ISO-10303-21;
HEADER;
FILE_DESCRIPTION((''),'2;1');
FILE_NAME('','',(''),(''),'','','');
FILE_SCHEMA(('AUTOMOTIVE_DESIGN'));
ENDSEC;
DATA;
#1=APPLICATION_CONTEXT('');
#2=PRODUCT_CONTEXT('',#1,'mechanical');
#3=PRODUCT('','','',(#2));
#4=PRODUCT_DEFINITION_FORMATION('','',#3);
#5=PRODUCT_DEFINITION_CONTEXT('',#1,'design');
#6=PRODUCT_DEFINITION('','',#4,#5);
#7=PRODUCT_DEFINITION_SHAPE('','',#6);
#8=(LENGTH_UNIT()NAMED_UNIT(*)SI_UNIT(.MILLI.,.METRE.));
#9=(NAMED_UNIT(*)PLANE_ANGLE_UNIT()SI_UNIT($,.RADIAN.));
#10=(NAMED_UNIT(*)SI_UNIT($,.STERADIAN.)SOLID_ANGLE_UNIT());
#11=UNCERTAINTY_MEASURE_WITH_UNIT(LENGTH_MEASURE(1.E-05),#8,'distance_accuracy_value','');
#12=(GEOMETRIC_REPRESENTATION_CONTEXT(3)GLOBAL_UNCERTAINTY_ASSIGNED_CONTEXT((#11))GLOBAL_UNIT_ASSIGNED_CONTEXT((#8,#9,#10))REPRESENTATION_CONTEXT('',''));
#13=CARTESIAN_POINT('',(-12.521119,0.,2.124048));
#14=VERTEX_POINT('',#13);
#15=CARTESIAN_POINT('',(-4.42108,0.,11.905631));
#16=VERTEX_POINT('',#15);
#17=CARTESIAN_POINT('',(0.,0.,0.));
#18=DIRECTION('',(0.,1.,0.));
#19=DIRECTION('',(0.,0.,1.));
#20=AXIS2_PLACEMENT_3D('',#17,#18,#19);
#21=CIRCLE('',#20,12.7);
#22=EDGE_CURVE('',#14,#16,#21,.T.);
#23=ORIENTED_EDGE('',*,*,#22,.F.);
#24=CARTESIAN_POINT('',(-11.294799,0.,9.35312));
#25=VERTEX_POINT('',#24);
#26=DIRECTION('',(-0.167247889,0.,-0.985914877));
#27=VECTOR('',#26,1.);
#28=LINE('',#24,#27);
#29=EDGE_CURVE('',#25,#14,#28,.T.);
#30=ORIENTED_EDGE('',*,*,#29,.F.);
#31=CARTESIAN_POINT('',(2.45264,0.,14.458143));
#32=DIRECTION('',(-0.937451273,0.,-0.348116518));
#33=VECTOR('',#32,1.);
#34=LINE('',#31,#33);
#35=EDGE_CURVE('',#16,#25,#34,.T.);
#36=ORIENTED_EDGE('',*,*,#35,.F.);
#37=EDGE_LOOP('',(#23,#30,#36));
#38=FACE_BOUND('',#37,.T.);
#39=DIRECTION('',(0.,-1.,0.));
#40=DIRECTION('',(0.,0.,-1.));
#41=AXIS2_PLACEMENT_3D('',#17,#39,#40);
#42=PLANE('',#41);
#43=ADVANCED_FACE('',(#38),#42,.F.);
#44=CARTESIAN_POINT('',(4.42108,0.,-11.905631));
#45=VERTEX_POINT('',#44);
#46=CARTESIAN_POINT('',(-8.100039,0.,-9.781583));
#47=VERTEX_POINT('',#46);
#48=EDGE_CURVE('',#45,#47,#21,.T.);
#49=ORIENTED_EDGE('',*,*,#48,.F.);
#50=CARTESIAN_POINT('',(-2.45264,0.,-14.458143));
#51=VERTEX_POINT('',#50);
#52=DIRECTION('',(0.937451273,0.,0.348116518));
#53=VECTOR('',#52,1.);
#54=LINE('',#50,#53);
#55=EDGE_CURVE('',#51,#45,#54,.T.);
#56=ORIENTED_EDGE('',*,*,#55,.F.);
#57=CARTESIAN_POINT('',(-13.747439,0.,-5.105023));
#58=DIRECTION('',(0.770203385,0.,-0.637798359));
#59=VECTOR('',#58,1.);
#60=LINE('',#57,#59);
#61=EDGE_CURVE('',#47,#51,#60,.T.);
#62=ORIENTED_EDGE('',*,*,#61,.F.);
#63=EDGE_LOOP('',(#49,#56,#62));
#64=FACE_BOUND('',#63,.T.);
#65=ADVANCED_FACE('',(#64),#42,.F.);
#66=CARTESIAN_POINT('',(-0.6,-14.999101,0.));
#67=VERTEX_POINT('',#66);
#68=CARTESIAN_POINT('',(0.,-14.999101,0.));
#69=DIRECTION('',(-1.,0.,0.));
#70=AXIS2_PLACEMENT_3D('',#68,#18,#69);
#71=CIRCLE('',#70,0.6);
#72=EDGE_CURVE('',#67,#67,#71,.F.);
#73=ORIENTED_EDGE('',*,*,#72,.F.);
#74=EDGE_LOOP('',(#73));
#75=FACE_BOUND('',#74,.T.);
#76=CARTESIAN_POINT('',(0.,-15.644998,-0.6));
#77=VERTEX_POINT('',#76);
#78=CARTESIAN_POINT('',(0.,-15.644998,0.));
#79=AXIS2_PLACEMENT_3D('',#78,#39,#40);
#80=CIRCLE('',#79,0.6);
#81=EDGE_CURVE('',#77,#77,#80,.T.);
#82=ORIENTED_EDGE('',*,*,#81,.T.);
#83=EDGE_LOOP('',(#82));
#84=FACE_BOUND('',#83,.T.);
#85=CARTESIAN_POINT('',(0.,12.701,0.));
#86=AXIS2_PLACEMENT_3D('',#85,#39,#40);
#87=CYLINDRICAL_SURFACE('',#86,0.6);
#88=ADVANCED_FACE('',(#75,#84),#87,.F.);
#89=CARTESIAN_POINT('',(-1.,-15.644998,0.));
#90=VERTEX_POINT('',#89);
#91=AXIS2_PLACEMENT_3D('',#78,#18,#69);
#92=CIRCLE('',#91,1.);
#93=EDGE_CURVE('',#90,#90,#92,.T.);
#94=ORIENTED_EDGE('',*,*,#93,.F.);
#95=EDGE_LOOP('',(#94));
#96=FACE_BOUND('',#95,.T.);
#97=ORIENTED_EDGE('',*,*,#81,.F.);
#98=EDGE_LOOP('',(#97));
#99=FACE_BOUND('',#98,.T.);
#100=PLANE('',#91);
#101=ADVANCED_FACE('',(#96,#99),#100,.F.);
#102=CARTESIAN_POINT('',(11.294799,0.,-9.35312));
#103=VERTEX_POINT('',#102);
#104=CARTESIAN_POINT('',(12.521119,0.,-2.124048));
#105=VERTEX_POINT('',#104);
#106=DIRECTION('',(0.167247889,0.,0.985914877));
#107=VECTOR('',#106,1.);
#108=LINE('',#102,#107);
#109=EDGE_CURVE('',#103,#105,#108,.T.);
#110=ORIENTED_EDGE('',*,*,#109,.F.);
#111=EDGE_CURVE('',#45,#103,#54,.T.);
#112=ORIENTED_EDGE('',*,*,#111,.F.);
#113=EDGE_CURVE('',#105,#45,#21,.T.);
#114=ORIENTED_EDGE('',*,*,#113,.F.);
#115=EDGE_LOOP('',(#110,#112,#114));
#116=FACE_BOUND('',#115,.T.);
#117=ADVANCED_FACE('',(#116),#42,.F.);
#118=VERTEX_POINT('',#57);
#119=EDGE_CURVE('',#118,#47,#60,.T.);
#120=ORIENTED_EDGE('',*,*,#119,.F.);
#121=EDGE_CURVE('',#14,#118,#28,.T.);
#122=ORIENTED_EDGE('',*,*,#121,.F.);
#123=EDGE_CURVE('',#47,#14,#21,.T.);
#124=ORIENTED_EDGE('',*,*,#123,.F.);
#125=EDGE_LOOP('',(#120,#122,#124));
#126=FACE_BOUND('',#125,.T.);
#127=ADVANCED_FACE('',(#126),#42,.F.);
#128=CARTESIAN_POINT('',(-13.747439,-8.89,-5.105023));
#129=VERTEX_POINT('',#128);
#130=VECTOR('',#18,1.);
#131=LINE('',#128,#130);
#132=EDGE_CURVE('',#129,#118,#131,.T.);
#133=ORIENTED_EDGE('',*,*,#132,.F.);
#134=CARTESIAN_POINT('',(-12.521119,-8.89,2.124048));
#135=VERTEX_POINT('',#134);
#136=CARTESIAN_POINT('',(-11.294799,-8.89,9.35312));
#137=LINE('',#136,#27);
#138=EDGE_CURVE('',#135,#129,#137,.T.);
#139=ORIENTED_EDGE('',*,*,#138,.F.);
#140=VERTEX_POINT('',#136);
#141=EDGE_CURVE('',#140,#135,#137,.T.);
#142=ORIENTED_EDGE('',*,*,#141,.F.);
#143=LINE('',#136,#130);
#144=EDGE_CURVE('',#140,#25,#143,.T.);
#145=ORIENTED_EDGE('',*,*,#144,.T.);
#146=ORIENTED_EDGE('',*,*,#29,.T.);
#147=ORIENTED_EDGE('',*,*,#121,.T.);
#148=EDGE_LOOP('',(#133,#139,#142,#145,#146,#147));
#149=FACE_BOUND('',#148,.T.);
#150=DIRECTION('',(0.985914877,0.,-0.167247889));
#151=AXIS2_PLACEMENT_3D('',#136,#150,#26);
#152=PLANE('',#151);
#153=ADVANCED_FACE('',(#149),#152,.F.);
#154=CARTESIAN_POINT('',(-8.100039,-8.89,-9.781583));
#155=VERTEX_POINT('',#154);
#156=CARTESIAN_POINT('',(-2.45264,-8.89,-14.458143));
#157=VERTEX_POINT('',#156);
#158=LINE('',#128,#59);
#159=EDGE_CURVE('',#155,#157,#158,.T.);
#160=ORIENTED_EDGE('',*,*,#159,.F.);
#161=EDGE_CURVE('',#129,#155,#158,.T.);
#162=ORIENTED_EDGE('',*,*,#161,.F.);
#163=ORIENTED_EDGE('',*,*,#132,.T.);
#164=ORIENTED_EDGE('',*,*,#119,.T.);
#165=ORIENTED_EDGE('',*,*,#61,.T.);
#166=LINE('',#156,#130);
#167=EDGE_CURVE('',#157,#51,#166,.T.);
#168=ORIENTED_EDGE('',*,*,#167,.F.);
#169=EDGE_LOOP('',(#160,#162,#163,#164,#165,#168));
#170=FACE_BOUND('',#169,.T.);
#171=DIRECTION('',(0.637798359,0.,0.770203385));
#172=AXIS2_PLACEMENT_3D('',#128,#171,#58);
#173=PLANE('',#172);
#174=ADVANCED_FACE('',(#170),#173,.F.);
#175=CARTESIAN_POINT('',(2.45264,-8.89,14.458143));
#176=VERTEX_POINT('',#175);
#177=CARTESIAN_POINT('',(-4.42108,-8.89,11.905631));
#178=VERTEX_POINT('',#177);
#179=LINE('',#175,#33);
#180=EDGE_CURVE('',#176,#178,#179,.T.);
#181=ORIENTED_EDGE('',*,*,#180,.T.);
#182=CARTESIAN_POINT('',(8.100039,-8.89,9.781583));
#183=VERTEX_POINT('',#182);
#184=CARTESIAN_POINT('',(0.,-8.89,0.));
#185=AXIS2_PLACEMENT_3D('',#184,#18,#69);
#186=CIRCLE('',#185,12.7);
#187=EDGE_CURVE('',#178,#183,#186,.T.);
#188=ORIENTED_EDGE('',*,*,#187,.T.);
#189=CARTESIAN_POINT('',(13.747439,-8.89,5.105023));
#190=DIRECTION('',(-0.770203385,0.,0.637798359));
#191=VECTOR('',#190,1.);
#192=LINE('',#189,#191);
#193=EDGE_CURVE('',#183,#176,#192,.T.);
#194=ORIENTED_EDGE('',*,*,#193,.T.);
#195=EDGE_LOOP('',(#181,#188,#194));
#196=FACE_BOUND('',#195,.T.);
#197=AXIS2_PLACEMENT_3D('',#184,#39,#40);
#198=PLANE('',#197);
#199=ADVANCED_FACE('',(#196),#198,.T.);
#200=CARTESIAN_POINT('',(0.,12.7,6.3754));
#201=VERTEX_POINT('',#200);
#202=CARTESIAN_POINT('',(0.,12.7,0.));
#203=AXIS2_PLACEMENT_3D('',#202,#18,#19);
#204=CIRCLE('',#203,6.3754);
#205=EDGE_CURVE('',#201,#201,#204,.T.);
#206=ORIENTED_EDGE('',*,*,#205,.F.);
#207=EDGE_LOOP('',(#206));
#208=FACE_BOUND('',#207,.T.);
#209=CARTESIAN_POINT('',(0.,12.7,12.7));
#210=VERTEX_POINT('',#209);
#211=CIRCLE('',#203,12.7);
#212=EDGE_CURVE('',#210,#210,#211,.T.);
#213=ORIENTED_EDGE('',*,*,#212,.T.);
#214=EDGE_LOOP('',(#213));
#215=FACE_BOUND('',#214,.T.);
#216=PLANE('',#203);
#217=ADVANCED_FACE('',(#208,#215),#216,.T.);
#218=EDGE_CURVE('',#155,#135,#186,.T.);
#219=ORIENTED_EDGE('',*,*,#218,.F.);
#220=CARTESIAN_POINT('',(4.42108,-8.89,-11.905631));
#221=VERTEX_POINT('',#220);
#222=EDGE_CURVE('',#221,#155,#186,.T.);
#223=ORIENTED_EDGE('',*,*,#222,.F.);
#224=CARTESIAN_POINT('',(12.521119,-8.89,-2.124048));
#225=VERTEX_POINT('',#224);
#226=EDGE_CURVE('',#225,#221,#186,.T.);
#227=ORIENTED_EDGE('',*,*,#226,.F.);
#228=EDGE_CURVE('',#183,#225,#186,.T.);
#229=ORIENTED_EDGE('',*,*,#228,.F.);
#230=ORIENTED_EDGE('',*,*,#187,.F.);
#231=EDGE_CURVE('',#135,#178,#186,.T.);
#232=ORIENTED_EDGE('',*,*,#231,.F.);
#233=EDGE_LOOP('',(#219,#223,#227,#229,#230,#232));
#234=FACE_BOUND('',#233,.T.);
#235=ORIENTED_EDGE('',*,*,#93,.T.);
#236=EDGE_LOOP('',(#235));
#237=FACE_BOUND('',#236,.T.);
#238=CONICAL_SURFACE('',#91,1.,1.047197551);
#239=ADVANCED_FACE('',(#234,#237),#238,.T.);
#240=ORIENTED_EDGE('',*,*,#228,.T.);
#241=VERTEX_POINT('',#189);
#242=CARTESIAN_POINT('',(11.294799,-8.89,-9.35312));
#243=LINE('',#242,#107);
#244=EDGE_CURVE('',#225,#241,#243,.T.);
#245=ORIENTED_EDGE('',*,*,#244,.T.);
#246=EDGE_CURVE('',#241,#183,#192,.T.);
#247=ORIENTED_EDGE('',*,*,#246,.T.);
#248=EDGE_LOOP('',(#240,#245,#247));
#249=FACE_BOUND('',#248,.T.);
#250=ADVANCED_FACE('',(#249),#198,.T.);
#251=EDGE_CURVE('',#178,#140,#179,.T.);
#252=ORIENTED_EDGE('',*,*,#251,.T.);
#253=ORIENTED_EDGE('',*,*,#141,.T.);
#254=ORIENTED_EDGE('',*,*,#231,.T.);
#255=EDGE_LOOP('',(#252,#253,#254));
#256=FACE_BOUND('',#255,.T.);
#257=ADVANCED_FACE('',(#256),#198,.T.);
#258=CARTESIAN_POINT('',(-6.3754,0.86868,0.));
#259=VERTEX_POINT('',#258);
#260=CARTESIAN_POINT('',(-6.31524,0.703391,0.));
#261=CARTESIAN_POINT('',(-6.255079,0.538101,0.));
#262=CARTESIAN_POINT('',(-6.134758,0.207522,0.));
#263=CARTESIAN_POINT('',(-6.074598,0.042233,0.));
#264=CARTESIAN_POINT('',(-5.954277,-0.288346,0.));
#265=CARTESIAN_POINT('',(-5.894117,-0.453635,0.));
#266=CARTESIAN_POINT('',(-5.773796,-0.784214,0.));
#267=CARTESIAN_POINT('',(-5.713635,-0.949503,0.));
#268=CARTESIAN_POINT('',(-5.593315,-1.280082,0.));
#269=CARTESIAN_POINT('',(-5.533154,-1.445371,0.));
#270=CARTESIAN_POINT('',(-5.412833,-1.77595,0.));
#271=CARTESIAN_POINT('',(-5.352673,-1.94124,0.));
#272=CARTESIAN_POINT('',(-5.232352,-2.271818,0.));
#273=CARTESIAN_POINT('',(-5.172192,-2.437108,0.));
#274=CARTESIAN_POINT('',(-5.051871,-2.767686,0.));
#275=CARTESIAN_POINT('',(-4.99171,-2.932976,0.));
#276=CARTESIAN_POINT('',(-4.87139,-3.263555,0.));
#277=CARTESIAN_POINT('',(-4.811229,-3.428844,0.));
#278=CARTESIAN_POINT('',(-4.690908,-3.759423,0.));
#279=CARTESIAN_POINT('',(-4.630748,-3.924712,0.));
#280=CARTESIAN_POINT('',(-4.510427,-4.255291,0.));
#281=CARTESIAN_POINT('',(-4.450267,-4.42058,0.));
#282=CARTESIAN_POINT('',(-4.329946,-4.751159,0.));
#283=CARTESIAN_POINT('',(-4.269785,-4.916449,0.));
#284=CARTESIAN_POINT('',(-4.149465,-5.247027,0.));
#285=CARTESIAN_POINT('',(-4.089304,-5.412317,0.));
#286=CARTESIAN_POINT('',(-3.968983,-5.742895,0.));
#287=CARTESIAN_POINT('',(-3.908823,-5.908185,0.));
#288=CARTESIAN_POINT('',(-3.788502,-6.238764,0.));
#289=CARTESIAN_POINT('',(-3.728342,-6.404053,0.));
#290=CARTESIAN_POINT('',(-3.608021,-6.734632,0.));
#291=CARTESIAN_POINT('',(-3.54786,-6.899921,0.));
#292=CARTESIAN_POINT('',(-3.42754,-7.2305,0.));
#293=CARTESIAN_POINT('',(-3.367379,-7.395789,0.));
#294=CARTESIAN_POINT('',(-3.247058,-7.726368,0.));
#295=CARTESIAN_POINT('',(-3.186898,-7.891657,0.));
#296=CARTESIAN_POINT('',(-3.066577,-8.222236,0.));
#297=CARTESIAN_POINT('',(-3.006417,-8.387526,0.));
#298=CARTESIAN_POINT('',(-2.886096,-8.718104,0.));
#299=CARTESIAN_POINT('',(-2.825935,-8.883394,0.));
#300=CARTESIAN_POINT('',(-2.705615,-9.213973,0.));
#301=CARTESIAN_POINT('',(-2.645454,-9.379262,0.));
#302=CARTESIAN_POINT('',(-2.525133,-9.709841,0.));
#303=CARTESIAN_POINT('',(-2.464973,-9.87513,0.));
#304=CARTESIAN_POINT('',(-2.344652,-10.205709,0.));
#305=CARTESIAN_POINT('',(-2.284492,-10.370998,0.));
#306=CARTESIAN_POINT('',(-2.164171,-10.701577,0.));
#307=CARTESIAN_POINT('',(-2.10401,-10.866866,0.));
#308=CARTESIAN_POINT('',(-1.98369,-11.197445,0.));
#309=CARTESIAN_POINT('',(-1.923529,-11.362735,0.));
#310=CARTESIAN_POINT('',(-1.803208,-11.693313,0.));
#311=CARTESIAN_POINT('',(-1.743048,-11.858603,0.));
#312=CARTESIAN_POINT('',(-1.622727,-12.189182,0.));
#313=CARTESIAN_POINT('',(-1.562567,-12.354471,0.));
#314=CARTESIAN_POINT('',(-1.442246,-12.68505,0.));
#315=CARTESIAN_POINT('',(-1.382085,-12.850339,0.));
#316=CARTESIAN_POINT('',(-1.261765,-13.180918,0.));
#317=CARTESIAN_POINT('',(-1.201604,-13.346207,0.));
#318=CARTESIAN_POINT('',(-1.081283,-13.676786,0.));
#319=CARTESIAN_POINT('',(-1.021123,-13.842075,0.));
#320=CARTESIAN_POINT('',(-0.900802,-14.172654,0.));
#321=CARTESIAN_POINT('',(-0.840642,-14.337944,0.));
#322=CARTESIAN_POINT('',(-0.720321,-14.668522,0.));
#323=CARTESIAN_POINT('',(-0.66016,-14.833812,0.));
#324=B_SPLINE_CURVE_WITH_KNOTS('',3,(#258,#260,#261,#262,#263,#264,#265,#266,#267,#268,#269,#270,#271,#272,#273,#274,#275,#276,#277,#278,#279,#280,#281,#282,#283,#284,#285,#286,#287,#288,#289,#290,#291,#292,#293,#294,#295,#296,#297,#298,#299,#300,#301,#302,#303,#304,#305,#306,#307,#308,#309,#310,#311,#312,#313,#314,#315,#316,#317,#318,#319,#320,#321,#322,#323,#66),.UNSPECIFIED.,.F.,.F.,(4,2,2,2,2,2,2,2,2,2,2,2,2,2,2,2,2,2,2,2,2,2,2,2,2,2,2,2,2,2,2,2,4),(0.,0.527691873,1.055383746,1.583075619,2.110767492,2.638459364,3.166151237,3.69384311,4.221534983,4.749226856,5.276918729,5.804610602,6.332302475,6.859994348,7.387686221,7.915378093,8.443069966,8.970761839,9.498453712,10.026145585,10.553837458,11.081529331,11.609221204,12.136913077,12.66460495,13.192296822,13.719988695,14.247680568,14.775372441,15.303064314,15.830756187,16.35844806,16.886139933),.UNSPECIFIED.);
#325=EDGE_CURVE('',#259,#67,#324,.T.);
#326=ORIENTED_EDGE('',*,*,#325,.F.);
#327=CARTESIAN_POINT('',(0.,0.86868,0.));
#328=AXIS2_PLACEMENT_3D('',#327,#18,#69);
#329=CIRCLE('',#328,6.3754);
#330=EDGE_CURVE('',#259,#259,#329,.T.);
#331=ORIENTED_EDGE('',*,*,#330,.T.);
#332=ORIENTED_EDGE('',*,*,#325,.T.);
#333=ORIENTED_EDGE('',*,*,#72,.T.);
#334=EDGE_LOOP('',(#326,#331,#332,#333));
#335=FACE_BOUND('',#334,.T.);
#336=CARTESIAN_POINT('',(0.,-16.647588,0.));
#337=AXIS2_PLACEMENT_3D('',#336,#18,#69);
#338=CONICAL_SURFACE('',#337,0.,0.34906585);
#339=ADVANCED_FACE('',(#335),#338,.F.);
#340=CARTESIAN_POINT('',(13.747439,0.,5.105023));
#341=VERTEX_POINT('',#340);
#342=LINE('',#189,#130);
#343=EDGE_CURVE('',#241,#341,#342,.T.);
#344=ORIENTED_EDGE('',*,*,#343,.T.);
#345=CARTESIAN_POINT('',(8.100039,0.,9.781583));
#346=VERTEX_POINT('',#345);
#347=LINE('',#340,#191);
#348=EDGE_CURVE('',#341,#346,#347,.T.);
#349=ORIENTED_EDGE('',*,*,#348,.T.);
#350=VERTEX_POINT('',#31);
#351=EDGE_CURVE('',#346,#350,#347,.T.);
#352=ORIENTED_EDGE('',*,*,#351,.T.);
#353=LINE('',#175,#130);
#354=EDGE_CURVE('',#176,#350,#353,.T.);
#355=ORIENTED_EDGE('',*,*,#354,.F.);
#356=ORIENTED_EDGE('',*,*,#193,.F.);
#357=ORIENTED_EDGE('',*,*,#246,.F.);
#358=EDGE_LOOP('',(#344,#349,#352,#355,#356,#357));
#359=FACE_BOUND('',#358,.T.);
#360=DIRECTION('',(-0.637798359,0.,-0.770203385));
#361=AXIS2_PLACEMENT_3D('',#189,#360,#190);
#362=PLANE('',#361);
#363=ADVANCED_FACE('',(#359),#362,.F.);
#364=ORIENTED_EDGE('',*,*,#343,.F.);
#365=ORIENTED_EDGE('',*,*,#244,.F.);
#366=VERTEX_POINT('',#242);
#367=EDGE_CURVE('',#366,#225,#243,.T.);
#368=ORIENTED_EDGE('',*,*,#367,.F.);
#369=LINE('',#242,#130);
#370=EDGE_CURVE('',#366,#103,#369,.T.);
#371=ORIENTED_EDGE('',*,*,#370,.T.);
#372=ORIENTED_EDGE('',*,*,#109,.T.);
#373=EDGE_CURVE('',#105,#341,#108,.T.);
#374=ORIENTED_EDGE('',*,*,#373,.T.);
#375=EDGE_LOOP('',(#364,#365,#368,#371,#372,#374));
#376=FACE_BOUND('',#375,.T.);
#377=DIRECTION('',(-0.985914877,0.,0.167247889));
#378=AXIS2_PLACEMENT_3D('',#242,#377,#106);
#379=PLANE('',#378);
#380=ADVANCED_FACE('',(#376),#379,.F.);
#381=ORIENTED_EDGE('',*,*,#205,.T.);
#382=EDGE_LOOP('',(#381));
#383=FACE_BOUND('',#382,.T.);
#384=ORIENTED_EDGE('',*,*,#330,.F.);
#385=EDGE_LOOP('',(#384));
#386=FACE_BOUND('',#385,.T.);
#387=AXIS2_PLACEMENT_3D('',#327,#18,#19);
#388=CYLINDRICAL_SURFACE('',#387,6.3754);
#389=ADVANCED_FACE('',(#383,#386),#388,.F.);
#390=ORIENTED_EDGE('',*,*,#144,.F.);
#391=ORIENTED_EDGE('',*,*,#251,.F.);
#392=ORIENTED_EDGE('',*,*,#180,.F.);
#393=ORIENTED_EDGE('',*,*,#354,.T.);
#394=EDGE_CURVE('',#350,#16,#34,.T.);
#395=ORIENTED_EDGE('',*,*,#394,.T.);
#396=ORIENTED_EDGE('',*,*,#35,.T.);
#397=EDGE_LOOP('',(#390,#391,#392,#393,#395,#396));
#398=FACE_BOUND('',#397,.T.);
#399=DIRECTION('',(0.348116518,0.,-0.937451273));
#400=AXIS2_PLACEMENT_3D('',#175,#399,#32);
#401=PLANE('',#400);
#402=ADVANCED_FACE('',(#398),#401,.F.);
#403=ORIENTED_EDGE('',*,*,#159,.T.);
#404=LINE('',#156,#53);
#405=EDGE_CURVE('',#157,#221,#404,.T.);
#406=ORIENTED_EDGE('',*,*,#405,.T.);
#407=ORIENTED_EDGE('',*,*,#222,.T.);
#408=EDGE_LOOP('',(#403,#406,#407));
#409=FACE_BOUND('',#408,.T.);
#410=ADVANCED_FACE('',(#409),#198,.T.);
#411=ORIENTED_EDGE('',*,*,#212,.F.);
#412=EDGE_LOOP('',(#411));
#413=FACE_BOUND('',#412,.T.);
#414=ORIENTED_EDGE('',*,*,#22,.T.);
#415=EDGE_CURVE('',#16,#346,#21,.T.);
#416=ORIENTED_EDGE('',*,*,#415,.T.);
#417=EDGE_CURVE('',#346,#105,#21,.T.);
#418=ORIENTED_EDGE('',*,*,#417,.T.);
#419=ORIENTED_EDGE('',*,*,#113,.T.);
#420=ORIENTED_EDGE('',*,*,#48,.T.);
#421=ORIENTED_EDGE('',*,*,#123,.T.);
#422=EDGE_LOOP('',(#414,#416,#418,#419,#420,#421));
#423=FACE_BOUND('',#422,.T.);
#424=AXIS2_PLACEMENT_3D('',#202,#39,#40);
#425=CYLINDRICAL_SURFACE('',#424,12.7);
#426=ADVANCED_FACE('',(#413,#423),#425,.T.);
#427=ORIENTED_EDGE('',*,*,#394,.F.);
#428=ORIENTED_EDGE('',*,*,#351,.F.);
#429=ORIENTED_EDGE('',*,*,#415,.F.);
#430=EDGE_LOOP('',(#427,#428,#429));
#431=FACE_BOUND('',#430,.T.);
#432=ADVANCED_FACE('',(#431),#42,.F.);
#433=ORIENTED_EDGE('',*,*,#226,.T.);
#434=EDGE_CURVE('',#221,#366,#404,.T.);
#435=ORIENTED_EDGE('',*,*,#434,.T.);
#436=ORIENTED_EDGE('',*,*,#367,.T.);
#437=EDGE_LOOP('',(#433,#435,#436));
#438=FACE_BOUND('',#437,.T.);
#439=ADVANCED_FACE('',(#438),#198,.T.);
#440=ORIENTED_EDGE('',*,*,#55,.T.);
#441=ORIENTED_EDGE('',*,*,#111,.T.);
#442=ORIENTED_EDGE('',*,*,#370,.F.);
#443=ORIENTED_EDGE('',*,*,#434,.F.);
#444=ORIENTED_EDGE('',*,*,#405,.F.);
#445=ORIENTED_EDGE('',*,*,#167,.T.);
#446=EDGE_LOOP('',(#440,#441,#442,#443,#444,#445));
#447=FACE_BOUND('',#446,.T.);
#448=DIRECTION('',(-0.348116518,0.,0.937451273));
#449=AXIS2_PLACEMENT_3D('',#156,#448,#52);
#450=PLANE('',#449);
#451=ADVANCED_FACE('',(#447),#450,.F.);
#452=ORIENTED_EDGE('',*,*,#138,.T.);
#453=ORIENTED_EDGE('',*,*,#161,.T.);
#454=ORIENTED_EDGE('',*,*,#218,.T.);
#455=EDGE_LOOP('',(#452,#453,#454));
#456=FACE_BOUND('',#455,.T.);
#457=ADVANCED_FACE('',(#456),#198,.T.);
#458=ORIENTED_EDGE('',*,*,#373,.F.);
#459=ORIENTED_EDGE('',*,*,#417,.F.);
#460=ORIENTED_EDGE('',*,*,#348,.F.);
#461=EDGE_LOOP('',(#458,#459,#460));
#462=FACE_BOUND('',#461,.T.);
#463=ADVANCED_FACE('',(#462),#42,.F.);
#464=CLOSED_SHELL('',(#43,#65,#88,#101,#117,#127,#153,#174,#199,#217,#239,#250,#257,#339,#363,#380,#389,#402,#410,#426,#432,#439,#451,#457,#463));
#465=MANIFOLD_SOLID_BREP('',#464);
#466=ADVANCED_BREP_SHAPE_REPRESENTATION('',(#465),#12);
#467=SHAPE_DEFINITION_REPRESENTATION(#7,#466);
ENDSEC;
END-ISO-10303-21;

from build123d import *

# Parameters (mm, degrees)
SKETCH1_R           = 12.7
BOSS_EXTRUDE1_DEPTH = 12.7
BOSS_EXTRUDE2_DEPTH = 8.89
CUT_EXTRUDE1_REACH  = 36.662
SKETCH4_R           = 0.6
SKETCH5_R           = 6.3754
CUT_EXTRUDE2_DEPTH  = 11.83132


with BuildPart() as part:
    # Sketch1 → Boss-Extrude1 (new body)
    with BuildSketch(Plane(origin=(0, 0, 0), x_dir=(1, 0, 0), z_dir=(0, 1, 0))):
        with Locations(Location((0, 0, 0), (0, 0, 270))):
            Circle(SKETCH1_R)
    extrude(amount=BOSS_EXTRUDE1_DEPTH)

    # Sketch2 → Boss-Extrude2 (add)
    with BuildSketch(Plane(origin=(0, 0, 0), x_dir=(-1, 0, 0), z_dir=(0, -1, 0))):
        Polygon((-11.29479914, 9.353119572), (-13.747438724, -5.105023199), (-2.452639584, -14.458142772), (11.29479914, -9.353119572), (13.747438724, 5.105023199), (2.452639584, 14.458142772), align=None)
    extrude(amount=BOSS_EXTRUDE2_DEPTH)

    # Sketch3 → Revolve1 (revolve)
    with BuildSketch(Plane.XY, mode=Mode.PRIVATE) as revolve1_sk:
        Polygon((-1, -15.64499815), (-12.7, -8.89), (0, -8.89), (0, -15.64499815), align=None)
    revolve(revolve1_sk.sketch.rotate(Axis((0, -8.89, 0), (0, -1, 0)), 110.372156134), axis=Axis((0, -8.89, 0), (0, -1, 0)))

    # Sketch4 → Cut-Extrude1 (cut, up to next)
    with BuildSketch(Plane.XZ.offset(15.64499815), mode=Mode.PRIVATE) as cut_extrude1_sk1:
        with Locations(Location((0, 0, 0), (0, 0, 270))):
            Circle(SKETCH4_R)
    cut_extrude1_tool1 = extrude(cut_extrude1_sk1.sketch, amount=-CUT_EXTRUDE1_REACH, mode=Mode.PRIVATE) & part.part
    add(cut_extrude1_tool1.solids().sort_by_distance((0, -15.644998, 0))[0], mode=Mode.SUBTRACT)

    # Sketch5 → Cut-Extrude2 (cut)
    with BuildSketch(Plane(origin=(0, 12.7, 0), x_dir=(1, 0, 0), z_dir=(0, 1, 0))):
        with Locations(Location((0, 0, 0), (0, 0, 270))):
            Circle(SKETCH5_R)
    extrude(amount=-CUT_EXTRUDE2_DEPTH, mode=Mode.SUBTRACT)

    # Sketch6 → Cut-Revolve1 (revolve, cut)
    with BuildSketch(Plane.XY, mode=Mode.PRIVATE) as cut_revolve1_sk:
        Polygon((0, 0.86868), (6.3754, 0.86868), (0, -16.64758754), align=None)
    revolve(cut_revolve1_sk.sketch.rotate(Axis((0, 0.86868, 0), (0, -1, 0)), 270), axis=Axis((0, 0.86868, 0), (0, -1, 0)), mode=Mode.SUBTRACT)


solid = part.part
